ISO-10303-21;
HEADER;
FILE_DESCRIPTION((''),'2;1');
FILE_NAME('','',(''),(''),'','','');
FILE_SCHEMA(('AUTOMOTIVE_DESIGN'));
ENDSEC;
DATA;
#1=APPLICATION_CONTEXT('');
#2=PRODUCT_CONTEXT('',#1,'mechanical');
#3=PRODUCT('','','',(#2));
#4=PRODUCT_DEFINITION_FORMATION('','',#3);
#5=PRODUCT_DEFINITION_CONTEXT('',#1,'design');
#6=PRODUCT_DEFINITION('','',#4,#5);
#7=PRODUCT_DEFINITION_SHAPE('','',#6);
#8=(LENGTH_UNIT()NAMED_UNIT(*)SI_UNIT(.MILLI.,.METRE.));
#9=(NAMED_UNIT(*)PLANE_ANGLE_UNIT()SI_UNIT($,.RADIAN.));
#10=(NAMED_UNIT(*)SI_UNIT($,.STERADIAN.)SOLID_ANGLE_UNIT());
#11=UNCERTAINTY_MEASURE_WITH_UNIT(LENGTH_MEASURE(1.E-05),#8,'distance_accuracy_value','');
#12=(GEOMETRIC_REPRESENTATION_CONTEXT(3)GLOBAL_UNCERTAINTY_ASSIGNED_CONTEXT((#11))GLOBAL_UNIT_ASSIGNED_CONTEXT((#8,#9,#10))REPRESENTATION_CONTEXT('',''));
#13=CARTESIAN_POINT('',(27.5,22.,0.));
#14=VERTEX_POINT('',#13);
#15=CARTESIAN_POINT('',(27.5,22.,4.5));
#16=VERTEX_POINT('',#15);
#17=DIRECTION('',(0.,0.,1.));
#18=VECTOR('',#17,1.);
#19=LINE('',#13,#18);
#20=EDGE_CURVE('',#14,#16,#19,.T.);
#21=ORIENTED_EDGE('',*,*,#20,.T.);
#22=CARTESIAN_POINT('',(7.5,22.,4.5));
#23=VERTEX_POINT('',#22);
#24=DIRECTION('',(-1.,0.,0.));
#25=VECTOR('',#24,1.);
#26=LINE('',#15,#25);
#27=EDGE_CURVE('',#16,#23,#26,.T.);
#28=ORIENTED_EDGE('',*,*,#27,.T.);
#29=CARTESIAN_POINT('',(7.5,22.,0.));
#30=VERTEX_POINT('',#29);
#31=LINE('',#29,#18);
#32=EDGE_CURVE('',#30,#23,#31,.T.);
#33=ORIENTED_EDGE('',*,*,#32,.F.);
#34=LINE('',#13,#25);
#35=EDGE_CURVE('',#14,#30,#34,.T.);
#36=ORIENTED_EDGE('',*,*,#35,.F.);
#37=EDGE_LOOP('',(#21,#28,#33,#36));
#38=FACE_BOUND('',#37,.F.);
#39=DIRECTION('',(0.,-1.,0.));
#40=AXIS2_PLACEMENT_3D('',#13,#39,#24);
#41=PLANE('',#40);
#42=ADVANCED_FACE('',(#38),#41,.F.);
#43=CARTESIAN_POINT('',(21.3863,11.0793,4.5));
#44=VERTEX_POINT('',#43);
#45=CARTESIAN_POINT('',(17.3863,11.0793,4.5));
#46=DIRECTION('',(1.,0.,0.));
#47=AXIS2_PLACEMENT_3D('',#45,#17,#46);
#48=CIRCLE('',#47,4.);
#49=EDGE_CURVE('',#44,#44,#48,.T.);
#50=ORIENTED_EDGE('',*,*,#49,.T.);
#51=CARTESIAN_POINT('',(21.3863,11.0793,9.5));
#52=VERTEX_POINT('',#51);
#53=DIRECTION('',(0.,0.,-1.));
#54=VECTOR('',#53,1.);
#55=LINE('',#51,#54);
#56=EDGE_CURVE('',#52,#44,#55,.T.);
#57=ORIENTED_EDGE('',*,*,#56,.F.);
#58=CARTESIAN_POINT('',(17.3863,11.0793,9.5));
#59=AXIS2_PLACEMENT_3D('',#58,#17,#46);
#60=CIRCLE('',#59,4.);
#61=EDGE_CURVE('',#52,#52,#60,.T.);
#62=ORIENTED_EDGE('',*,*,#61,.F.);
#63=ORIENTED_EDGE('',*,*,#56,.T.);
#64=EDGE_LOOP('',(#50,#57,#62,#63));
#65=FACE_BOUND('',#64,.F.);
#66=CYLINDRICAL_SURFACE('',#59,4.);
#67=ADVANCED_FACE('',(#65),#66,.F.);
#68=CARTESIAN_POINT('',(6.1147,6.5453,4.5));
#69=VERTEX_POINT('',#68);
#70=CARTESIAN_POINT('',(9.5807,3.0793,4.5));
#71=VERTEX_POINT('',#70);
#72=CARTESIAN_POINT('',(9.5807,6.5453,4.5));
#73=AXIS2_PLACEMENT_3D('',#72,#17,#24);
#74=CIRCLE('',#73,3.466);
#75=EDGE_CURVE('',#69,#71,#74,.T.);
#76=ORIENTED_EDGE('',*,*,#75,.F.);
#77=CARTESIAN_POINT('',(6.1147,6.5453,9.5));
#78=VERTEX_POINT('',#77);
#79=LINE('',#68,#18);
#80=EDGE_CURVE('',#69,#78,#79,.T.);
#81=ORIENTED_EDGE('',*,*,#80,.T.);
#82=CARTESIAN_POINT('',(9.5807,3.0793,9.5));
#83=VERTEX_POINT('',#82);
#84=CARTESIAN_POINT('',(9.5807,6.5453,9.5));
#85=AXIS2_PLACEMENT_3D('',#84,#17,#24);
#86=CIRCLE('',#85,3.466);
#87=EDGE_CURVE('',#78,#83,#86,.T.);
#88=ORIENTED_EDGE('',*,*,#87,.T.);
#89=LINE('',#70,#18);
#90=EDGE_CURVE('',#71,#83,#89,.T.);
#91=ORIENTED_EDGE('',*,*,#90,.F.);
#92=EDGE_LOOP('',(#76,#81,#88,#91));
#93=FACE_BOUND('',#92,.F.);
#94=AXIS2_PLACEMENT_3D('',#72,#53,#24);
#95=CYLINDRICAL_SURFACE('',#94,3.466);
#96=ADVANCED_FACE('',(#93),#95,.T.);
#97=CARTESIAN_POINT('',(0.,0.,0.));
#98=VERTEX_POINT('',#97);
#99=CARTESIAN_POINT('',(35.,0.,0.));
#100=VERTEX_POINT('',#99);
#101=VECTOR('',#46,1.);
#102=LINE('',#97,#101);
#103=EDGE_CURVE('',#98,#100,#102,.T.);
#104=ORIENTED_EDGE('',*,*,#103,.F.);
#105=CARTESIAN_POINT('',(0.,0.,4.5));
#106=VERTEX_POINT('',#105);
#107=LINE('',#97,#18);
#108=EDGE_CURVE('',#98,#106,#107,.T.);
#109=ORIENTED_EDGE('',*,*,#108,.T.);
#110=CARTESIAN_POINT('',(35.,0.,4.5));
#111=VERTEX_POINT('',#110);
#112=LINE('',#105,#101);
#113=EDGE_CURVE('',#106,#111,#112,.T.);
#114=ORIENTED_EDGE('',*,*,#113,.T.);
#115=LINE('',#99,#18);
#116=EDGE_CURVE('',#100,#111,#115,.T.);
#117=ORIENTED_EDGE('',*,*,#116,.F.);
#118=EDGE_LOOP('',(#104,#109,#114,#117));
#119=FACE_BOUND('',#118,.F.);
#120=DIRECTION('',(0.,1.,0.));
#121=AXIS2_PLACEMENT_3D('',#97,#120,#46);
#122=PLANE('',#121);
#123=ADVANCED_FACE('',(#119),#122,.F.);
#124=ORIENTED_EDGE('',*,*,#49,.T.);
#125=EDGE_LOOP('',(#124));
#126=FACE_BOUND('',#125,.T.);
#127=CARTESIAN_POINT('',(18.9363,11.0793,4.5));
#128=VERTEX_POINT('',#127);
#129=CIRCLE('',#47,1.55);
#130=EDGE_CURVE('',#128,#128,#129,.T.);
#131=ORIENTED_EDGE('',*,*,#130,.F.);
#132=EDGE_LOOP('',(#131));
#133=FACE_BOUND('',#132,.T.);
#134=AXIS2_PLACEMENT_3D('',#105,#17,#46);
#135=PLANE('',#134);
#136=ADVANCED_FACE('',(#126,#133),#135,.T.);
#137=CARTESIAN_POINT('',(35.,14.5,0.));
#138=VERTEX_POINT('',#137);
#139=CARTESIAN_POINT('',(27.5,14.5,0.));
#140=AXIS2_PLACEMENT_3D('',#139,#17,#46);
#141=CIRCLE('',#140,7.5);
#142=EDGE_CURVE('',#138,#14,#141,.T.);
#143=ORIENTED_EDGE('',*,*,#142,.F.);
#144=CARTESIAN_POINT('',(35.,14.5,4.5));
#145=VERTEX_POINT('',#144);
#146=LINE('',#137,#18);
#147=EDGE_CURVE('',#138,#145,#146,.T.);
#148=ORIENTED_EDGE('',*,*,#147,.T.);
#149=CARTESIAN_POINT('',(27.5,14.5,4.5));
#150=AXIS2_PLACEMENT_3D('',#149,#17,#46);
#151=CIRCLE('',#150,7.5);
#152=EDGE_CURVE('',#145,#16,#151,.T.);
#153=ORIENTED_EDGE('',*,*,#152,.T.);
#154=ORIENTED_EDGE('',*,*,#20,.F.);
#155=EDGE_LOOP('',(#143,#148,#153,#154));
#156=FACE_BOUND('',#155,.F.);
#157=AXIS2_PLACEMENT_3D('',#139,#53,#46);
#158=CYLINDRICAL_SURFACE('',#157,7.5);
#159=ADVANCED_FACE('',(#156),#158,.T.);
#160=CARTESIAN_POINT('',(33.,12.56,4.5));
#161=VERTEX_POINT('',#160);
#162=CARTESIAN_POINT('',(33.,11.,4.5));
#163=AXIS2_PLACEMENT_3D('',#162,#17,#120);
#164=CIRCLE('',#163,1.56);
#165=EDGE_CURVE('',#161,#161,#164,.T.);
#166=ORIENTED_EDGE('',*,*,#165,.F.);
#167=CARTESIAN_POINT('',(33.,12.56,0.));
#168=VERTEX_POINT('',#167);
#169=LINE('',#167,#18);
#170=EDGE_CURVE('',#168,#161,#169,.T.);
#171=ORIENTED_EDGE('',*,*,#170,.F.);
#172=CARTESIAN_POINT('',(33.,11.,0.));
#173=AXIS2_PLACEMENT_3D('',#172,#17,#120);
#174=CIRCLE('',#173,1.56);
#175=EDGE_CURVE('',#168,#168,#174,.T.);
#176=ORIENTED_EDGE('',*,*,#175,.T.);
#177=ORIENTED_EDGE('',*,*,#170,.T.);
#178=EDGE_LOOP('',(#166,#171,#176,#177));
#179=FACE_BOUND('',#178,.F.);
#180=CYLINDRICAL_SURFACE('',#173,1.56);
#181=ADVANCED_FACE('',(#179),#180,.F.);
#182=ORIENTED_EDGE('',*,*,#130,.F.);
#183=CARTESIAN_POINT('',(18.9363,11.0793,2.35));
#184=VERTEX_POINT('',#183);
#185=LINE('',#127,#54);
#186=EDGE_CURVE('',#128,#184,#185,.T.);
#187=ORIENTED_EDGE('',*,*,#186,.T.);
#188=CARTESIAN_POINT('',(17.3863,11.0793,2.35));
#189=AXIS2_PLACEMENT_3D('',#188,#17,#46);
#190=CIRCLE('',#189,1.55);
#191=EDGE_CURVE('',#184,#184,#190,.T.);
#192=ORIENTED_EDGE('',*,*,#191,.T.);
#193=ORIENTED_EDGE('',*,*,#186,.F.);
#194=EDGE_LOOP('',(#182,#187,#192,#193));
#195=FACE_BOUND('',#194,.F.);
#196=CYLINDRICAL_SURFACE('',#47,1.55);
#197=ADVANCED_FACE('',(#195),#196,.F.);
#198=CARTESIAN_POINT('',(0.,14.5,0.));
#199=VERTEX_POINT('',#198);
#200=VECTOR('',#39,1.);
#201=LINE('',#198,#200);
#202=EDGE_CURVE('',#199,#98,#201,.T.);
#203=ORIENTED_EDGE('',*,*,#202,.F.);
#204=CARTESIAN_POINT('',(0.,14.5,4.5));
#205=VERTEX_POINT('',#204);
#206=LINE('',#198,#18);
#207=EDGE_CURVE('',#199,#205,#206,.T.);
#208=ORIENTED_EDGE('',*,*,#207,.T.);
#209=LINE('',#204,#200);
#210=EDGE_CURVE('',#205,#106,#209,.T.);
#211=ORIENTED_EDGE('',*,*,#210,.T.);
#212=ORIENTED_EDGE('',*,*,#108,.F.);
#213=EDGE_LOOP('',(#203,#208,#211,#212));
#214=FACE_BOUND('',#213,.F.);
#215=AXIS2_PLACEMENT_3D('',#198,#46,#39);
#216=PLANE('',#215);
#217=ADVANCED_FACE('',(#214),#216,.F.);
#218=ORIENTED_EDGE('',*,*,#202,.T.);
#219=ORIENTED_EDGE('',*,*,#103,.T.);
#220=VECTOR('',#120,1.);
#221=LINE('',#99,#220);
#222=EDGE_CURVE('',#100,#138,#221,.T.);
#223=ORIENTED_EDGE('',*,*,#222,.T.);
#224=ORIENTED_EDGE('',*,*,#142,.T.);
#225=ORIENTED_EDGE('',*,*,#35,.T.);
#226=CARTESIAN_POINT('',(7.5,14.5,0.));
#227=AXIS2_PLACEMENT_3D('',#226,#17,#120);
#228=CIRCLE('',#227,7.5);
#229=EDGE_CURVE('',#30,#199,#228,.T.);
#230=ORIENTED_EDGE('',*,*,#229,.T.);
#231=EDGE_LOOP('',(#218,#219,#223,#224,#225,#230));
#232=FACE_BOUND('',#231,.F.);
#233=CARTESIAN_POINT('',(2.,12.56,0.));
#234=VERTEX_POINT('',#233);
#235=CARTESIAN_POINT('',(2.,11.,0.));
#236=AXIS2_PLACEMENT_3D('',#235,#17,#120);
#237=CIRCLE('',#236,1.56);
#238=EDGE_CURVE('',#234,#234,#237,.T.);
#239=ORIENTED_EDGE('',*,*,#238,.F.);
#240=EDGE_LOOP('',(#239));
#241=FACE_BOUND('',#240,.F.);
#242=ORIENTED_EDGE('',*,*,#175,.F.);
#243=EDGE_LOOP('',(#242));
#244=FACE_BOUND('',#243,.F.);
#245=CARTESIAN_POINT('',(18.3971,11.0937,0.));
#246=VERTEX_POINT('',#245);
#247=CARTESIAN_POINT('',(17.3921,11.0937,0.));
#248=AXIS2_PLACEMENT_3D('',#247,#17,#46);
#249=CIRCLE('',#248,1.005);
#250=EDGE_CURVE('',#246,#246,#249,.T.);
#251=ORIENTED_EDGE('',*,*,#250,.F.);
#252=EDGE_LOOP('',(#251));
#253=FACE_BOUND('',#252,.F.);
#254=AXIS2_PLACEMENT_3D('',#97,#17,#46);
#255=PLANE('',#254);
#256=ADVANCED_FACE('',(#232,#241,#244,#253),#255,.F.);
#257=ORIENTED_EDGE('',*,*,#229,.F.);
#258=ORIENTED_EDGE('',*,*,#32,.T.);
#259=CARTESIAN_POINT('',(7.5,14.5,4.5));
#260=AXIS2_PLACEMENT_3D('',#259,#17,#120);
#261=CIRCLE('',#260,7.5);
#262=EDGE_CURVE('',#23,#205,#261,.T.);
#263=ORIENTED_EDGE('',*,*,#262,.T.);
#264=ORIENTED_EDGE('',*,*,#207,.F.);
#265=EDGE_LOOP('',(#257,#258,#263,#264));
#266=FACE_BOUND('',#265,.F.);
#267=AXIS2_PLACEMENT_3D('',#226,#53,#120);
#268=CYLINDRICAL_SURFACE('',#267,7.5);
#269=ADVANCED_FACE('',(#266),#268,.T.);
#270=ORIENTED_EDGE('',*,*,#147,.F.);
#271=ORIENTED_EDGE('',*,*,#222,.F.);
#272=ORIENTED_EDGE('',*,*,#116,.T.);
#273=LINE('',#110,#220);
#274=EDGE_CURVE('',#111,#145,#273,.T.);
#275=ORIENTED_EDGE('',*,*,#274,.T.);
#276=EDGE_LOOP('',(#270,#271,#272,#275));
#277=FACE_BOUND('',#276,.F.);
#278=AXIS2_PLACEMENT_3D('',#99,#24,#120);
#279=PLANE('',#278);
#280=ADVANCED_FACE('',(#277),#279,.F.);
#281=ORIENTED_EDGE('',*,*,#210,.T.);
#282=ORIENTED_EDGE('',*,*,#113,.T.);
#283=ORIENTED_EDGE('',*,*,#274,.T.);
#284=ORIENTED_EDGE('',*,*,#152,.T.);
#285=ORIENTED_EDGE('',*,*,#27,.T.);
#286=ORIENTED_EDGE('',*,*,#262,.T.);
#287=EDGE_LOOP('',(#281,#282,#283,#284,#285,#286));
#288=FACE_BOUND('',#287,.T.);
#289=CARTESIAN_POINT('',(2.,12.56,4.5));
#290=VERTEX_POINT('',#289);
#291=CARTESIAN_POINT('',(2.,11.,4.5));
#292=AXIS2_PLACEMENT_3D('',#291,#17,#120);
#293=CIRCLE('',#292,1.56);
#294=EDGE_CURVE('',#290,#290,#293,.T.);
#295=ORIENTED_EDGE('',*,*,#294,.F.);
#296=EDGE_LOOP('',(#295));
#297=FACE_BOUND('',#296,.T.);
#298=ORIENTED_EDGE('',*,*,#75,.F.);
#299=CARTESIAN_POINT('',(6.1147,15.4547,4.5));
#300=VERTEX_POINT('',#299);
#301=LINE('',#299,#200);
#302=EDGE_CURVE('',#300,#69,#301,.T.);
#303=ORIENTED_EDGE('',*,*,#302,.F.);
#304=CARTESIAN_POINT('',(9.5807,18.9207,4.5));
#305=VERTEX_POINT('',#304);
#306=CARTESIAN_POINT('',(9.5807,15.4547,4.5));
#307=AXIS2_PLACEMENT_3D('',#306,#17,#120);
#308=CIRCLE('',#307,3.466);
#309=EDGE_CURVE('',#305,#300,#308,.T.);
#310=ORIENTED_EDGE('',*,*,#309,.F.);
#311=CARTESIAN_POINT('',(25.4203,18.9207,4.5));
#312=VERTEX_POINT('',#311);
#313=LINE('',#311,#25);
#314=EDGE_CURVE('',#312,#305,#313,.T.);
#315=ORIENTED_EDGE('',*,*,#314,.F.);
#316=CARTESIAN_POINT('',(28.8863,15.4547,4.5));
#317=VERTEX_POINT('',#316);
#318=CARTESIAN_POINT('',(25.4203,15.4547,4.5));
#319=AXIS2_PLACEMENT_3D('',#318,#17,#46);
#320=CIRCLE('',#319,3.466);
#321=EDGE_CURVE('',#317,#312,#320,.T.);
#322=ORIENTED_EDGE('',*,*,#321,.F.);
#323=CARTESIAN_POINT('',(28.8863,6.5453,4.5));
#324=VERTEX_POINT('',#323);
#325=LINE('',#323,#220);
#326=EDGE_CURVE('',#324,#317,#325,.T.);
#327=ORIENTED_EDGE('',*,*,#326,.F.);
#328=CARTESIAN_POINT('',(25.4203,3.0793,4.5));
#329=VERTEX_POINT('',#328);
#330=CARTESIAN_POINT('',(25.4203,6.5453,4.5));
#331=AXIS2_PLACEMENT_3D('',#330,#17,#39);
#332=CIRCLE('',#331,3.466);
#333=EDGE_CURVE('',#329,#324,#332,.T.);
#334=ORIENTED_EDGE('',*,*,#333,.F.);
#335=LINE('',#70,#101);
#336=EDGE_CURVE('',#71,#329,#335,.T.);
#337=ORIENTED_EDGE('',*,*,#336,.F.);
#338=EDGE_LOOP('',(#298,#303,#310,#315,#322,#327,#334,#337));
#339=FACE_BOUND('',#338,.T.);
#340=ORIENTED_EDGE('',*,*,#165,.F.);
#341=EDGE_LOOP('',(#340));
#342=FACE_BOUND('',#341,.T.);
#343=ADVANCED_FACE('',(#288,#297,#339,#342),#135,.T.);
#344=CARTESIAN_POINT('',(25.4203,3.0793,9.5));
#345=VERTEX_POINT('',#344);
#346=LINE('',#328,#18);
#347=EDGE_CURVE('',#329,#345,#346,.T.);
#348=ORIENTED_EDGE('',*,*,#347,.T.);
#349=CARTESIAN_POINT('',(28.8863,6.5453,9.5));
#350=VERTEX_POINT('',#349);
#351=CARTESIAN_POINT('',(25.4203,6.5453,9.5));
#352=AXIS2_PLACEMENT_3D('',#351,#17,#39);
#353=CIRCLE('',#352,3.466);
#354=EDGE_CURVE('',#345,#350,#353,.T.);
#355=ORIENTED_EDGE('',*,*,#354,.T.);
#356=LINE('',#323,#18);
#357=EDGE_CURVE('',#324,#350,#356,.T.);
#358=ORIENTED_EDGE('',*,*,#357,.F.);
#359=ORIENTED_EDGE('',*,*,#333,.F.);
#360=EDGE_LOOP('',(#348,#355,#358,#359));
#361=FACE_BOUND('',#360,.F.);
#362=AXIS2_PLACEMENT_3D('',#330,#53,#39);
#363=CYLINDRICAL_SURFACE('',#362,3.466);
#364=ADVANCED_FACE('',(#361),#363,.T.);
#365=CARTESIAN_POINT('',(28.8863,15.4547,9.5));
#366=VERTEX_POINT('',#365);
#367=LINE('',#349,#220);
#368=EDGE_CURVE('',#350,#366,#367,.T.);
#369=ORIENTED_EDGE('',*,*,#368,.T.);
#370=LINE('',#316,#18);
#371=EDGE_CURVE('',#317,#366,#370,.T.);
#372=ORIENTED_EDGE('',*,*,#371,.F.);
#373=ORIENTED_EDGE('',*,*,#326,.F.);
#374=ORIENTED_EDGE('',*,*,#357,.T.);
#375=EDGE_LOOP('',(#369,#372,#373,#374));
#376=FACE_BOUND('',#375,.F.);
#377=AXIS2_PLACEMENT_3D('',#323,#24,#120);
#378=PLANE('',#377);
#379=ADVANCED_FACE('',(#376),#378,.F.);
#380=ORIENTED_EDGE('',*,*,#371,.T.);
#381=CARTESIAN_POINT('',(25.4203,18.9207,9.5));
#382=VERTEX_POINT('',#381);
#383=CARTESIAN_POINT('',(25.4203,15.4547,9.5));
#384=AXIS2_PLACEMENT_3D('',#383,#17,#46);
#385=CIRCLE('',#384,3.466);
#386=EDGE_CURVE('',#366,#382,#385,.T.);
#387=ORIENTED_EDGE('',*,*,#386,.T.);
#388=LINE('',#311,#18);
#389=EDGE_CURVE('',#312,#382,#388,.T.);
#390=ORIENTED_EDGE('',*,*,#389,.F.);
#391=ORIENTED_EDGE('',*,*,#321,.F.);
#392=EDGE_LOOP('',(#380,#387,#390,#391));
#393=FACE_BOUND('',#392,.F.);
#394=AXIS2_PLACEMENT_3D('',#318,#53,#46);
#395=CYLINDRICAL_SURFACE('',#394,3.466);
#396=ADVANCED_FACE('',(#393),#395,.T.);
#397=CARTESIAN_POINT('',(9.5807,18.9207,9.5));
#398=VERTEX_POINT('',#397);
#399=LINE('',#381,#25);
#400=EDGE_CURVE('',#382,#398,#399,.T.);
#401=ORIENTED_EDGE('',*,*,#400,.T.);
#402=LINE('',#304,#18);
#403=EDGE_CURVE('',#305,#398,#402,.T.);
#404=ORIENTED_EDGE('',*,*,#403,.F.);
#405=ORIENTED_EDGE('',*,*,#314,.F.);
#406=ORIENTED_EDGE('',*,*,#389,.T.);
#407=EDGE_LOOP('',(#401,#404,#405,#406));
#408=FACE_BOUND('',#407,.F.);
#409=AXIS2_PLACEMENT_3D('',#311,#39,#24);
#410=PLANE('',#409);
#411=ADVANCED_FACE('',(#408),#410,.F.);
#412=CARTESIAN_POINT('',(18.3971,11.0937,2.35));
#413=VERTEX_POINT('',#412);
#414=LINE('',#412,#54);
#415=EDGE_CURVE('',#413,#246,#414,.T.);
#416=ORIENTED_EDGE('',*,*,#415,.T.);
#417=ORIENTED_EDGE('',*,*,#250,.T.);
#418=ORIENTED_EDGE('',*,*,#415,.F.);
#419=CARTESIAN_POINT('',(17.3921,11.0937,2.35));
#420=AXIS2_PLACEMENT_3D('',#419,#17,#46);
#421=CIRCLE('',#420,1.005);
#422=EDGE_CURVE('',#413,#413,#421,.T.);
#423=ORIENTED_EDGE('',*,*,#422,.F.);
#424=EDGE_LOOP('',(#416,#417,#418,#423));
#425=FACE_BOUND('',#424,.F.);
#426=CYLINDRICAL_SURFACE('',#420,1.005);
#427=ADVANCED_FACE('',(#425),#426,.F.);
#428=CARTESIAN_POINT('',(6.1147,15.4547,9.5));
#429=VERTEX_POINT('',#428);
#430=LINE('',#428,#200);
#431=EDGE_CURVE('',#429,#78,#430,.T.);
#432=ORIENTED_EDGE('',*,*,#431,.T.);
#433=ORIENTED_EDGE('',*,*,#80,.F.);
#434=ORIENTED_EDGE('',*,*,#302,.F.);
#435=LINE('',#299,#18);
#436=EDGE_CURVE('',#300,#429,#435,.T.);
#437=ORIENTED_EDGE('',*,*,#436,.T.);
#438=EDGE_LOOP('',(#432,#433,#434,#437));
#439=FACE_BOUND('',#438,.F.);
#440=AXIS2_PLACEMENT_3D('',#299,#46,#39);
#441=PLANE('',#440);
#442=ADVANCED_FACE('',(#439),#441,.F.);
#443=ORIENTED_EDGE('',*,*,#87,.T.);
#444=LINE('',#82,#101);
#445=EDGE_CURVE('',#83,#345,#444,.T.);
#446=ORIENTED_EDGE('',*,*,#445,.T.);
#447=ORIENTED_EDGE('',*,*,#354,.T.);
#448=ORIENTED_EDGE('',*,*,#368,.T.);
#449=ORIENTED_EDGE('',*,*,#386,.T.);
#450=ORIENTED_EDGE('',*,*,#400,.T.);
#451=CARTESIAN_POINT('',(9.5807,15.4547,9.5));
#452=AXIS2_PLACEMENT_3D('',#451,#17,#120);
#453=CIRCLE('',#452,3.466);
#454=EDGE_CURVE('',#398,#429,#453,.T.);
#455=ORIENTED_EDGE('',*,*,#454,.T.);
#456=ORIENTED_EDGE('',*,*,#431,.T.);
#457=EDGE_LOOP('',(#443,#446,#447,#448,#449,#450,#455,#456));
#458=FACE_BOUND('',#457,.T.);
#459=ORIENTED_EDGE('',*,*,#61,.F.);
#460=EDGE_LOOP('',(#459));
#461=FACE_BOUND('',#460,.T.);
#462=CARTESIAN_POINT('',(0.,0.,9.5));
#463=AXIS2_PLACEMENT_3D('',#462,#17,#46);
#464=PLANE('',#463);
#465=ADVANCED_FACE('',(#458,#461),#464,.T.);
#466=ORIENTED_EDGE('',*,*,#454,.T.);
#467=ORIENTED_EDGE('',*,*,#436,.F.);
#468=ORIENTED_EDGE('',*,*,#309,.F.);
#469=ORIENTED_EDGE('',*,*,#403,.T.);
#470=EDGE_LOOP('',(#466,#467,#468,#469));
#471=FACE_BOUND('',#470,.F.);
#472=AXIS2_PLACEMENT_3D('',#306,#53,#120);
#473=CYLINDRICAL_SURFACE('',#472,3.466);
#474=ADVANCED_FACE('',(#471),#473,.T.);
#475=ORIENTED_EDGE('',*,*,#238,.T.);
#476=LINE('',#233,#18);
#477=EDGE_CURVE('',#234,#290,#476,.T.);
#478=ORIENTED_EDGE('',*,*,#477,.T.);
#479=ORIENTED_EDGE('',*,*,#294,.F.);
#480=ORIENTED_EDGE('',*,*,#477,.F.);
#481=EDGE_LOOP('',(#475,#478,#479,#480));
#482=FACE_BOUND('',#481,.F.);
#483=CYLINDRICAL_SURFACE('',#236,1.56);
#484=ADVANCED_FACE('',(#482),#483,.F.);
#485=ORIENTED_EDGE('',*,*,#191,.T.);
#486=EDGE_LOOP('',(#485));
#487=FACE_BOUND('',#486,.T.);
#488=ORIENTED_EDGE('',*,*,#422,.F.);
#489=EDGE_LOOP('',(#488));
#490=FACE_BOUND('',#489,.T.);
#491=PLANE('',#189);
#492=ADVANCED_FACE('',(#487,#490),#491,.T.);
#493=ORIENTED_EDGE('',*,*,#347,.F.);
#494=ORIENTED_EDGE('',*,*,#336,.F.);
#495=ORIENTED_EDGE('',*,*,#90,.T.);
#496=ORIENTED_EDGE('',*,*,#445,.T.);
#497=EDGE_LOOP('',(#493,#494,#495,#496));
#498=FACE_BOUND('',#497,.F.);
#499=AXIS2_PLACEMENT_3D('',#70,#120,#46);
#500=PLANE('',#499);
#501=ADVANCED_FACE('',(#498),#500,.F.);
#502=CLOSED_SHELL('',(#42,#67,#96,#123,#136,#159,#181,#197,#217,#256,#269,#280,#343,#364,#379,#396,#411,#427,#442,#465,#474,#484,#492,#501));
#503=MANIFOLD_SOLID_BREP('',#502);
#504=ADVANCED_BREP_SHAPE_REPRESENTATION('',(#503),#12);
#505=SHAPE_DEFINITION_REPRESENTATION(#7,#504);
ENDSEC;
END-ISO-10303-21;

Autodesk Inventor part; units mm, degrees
ref_plane "YZ Plane" through (0, 0, 0) normal (1, 0, 0) x (0, 1, 0)
ref_plane "XZ Plane" through (0, 0, 0) normal (0, 1, 0) x (-1, 0, 0)
ref_plane "XY Plane" through (0, 0, 0) normal (0, 0, 1) x (1, 0, 0)
sketch "Sketch1" plane through (0, 0, 0) normal (0, 0, 1) x (1, 0, 0)
  line L0 (0, 0) -> (35, 0)
  line L1 (35, 0) -> (35, 14.5)
  line L2 (27.5, 22) -> (7.5, 22)
  line L3 (0, 14.5) -> (0, 0)
  arc A0 (7.5, 22) -> (0, 14.5) centre (7.5, 14.5) ccw
  arc A1 (35, 14.5) -> (27.5, 22) centre (27.5, 14.5) ccw
  point P0 (35, 22)
  point P1 (0, 22)
  dimension "d0" = 35
  dimension "d1" = 22
  dimension "d2" = 7.5
extrude "Extrusion1" add sketch "Sketch1" along normal blind 4.5
sketch "Sketch2" plane through (0, 0, 4.5) normal (0, 0, 1) x (1, 0, 0)
  line L0 (9.5807, 3.0793) -> (25.4203, 3.0793)
  line L1 (28.8863, 6.5453) -> (28.8863, 15.4547)
  line L2 (25.4203, 18.9207) -> (9.5807, 18.9207)
  line L3 (6.1147, 15.4547) -> (6.1147, 6.5453)
  arc A0 (9.5807, 18.9207) -> (6.1147, 15.4547) centre (9.5807, 15.4547) ccw
  arc A1 (28.8863, 15.4547) -> (25.4203, 18.9207) centre (25.4203, 15.4547) ccw
  arc A2 (25.4203, 3.0793) -> (28.8863, 6.5453) centre (25.4203, 6.5453) ccw
  arc A3 (6.1147, 6.5453) -> (9.5807, 3.0793) centre (9.5807, 6.5453) ccw
  line L4 (35, 0) -> (35, 14.5) projected
  line L5 (0, 0) -> (35, 0) projected
  line L6 (0, 14.5) -> (0, 0) projected
  line L7 (27.5, 22) -> (7.5, 22) projected
  point P0 (29, 19)
  point P1 (29, 3)
  point P2 (6, 19)
  dimension "d5" = 23
  dimension "d6" = 16
  dimension "d7" = 3.466
  dimension "d8" = 3.466
  dimension "d9" = 6.1137
  dimension "d10" = 3.0793
  dimension "d49" = 6.1147
  dimension "d50" = 3.0793
extrude "Extrusion2" add sketch "Sketch2" along normal blind 5
sketch "Sketch3" plane through (0, 0, 0) normal (0, 0, -1) x (-1, 0, 0)
  circle A0 centre (-2, 11) radius 1.56
  circle A1 centre (-33, 11) radius 1.56
  line L0 (0, 14.5) -> (0, 0) projected
  line L1 (0, 0) -> (-35, 0) projected
  dimension "d13" = 3.12
  dimension "d14" = 3.12
  dimension "d18" = 2
  dimension "d19" = 31
  dimension "d20" = 11
  dimension "d21" = 11
hole "Hole1" at (2, 11, 0) direction (0, 0, 1) diameter 3.12 end through all
hole "Hole2" at (33, 11, 0) direction (0, 0, 1) diameter 3.12 end through all
sketch "Sketch4" plane through (0, 0, 9.5) normal (0, 0, 1) x (1, 0, 0)
  circle A0 centre (17.3863, 11.0793) radius 4
  line L0 (28.8863, 6.5453) -> (28.8863, 15.4547) projected
  line L1 (9.5807, 3.0793) -> (25.4203, 3.0793) projected
  point P0 (0, 0)
  dimension "d36" = 8
  dimension "d37" = 11.5
  dimension "d38" = 8
extrude "Extrusion3" cut sketch "Sketch4" against normal blind 5
sketch "Sketch5" plane through (17.3863, 11.0793, 4.5) normal (0, 0, 1) x (1, 0, 0)
  circle A0 centre (0, 0) radius 1.55
  circle A1 centre (0, 0) radius 4 projected
  point P0 (-17.3863, -11.0793)
  dimension "d41" = 3.1
  dimension "d42" = 2.45
extrude "Extrusion4" cut sketch "Sketch5" against normal blind 2.15 contours A0
sketch "Sketch6" plane through (17.3863, 11.0793, 2.35) normal (0, 0, 1) x (1, 0, 0)
  circle A0 centre (0.0058, 0.0144) radius 1.005
  circle A1 centre (0, 0) radius 1.55 projected
  point P0 (-17.3863, -11.0793)
  dimension "d45" = 2.01
  dimension "d46" = 0.5295
extrude "Extrusion5" cut sketch "Sketch6" against normal through all contours A0
properties part number "Aquamote3.2_housing_cap"
